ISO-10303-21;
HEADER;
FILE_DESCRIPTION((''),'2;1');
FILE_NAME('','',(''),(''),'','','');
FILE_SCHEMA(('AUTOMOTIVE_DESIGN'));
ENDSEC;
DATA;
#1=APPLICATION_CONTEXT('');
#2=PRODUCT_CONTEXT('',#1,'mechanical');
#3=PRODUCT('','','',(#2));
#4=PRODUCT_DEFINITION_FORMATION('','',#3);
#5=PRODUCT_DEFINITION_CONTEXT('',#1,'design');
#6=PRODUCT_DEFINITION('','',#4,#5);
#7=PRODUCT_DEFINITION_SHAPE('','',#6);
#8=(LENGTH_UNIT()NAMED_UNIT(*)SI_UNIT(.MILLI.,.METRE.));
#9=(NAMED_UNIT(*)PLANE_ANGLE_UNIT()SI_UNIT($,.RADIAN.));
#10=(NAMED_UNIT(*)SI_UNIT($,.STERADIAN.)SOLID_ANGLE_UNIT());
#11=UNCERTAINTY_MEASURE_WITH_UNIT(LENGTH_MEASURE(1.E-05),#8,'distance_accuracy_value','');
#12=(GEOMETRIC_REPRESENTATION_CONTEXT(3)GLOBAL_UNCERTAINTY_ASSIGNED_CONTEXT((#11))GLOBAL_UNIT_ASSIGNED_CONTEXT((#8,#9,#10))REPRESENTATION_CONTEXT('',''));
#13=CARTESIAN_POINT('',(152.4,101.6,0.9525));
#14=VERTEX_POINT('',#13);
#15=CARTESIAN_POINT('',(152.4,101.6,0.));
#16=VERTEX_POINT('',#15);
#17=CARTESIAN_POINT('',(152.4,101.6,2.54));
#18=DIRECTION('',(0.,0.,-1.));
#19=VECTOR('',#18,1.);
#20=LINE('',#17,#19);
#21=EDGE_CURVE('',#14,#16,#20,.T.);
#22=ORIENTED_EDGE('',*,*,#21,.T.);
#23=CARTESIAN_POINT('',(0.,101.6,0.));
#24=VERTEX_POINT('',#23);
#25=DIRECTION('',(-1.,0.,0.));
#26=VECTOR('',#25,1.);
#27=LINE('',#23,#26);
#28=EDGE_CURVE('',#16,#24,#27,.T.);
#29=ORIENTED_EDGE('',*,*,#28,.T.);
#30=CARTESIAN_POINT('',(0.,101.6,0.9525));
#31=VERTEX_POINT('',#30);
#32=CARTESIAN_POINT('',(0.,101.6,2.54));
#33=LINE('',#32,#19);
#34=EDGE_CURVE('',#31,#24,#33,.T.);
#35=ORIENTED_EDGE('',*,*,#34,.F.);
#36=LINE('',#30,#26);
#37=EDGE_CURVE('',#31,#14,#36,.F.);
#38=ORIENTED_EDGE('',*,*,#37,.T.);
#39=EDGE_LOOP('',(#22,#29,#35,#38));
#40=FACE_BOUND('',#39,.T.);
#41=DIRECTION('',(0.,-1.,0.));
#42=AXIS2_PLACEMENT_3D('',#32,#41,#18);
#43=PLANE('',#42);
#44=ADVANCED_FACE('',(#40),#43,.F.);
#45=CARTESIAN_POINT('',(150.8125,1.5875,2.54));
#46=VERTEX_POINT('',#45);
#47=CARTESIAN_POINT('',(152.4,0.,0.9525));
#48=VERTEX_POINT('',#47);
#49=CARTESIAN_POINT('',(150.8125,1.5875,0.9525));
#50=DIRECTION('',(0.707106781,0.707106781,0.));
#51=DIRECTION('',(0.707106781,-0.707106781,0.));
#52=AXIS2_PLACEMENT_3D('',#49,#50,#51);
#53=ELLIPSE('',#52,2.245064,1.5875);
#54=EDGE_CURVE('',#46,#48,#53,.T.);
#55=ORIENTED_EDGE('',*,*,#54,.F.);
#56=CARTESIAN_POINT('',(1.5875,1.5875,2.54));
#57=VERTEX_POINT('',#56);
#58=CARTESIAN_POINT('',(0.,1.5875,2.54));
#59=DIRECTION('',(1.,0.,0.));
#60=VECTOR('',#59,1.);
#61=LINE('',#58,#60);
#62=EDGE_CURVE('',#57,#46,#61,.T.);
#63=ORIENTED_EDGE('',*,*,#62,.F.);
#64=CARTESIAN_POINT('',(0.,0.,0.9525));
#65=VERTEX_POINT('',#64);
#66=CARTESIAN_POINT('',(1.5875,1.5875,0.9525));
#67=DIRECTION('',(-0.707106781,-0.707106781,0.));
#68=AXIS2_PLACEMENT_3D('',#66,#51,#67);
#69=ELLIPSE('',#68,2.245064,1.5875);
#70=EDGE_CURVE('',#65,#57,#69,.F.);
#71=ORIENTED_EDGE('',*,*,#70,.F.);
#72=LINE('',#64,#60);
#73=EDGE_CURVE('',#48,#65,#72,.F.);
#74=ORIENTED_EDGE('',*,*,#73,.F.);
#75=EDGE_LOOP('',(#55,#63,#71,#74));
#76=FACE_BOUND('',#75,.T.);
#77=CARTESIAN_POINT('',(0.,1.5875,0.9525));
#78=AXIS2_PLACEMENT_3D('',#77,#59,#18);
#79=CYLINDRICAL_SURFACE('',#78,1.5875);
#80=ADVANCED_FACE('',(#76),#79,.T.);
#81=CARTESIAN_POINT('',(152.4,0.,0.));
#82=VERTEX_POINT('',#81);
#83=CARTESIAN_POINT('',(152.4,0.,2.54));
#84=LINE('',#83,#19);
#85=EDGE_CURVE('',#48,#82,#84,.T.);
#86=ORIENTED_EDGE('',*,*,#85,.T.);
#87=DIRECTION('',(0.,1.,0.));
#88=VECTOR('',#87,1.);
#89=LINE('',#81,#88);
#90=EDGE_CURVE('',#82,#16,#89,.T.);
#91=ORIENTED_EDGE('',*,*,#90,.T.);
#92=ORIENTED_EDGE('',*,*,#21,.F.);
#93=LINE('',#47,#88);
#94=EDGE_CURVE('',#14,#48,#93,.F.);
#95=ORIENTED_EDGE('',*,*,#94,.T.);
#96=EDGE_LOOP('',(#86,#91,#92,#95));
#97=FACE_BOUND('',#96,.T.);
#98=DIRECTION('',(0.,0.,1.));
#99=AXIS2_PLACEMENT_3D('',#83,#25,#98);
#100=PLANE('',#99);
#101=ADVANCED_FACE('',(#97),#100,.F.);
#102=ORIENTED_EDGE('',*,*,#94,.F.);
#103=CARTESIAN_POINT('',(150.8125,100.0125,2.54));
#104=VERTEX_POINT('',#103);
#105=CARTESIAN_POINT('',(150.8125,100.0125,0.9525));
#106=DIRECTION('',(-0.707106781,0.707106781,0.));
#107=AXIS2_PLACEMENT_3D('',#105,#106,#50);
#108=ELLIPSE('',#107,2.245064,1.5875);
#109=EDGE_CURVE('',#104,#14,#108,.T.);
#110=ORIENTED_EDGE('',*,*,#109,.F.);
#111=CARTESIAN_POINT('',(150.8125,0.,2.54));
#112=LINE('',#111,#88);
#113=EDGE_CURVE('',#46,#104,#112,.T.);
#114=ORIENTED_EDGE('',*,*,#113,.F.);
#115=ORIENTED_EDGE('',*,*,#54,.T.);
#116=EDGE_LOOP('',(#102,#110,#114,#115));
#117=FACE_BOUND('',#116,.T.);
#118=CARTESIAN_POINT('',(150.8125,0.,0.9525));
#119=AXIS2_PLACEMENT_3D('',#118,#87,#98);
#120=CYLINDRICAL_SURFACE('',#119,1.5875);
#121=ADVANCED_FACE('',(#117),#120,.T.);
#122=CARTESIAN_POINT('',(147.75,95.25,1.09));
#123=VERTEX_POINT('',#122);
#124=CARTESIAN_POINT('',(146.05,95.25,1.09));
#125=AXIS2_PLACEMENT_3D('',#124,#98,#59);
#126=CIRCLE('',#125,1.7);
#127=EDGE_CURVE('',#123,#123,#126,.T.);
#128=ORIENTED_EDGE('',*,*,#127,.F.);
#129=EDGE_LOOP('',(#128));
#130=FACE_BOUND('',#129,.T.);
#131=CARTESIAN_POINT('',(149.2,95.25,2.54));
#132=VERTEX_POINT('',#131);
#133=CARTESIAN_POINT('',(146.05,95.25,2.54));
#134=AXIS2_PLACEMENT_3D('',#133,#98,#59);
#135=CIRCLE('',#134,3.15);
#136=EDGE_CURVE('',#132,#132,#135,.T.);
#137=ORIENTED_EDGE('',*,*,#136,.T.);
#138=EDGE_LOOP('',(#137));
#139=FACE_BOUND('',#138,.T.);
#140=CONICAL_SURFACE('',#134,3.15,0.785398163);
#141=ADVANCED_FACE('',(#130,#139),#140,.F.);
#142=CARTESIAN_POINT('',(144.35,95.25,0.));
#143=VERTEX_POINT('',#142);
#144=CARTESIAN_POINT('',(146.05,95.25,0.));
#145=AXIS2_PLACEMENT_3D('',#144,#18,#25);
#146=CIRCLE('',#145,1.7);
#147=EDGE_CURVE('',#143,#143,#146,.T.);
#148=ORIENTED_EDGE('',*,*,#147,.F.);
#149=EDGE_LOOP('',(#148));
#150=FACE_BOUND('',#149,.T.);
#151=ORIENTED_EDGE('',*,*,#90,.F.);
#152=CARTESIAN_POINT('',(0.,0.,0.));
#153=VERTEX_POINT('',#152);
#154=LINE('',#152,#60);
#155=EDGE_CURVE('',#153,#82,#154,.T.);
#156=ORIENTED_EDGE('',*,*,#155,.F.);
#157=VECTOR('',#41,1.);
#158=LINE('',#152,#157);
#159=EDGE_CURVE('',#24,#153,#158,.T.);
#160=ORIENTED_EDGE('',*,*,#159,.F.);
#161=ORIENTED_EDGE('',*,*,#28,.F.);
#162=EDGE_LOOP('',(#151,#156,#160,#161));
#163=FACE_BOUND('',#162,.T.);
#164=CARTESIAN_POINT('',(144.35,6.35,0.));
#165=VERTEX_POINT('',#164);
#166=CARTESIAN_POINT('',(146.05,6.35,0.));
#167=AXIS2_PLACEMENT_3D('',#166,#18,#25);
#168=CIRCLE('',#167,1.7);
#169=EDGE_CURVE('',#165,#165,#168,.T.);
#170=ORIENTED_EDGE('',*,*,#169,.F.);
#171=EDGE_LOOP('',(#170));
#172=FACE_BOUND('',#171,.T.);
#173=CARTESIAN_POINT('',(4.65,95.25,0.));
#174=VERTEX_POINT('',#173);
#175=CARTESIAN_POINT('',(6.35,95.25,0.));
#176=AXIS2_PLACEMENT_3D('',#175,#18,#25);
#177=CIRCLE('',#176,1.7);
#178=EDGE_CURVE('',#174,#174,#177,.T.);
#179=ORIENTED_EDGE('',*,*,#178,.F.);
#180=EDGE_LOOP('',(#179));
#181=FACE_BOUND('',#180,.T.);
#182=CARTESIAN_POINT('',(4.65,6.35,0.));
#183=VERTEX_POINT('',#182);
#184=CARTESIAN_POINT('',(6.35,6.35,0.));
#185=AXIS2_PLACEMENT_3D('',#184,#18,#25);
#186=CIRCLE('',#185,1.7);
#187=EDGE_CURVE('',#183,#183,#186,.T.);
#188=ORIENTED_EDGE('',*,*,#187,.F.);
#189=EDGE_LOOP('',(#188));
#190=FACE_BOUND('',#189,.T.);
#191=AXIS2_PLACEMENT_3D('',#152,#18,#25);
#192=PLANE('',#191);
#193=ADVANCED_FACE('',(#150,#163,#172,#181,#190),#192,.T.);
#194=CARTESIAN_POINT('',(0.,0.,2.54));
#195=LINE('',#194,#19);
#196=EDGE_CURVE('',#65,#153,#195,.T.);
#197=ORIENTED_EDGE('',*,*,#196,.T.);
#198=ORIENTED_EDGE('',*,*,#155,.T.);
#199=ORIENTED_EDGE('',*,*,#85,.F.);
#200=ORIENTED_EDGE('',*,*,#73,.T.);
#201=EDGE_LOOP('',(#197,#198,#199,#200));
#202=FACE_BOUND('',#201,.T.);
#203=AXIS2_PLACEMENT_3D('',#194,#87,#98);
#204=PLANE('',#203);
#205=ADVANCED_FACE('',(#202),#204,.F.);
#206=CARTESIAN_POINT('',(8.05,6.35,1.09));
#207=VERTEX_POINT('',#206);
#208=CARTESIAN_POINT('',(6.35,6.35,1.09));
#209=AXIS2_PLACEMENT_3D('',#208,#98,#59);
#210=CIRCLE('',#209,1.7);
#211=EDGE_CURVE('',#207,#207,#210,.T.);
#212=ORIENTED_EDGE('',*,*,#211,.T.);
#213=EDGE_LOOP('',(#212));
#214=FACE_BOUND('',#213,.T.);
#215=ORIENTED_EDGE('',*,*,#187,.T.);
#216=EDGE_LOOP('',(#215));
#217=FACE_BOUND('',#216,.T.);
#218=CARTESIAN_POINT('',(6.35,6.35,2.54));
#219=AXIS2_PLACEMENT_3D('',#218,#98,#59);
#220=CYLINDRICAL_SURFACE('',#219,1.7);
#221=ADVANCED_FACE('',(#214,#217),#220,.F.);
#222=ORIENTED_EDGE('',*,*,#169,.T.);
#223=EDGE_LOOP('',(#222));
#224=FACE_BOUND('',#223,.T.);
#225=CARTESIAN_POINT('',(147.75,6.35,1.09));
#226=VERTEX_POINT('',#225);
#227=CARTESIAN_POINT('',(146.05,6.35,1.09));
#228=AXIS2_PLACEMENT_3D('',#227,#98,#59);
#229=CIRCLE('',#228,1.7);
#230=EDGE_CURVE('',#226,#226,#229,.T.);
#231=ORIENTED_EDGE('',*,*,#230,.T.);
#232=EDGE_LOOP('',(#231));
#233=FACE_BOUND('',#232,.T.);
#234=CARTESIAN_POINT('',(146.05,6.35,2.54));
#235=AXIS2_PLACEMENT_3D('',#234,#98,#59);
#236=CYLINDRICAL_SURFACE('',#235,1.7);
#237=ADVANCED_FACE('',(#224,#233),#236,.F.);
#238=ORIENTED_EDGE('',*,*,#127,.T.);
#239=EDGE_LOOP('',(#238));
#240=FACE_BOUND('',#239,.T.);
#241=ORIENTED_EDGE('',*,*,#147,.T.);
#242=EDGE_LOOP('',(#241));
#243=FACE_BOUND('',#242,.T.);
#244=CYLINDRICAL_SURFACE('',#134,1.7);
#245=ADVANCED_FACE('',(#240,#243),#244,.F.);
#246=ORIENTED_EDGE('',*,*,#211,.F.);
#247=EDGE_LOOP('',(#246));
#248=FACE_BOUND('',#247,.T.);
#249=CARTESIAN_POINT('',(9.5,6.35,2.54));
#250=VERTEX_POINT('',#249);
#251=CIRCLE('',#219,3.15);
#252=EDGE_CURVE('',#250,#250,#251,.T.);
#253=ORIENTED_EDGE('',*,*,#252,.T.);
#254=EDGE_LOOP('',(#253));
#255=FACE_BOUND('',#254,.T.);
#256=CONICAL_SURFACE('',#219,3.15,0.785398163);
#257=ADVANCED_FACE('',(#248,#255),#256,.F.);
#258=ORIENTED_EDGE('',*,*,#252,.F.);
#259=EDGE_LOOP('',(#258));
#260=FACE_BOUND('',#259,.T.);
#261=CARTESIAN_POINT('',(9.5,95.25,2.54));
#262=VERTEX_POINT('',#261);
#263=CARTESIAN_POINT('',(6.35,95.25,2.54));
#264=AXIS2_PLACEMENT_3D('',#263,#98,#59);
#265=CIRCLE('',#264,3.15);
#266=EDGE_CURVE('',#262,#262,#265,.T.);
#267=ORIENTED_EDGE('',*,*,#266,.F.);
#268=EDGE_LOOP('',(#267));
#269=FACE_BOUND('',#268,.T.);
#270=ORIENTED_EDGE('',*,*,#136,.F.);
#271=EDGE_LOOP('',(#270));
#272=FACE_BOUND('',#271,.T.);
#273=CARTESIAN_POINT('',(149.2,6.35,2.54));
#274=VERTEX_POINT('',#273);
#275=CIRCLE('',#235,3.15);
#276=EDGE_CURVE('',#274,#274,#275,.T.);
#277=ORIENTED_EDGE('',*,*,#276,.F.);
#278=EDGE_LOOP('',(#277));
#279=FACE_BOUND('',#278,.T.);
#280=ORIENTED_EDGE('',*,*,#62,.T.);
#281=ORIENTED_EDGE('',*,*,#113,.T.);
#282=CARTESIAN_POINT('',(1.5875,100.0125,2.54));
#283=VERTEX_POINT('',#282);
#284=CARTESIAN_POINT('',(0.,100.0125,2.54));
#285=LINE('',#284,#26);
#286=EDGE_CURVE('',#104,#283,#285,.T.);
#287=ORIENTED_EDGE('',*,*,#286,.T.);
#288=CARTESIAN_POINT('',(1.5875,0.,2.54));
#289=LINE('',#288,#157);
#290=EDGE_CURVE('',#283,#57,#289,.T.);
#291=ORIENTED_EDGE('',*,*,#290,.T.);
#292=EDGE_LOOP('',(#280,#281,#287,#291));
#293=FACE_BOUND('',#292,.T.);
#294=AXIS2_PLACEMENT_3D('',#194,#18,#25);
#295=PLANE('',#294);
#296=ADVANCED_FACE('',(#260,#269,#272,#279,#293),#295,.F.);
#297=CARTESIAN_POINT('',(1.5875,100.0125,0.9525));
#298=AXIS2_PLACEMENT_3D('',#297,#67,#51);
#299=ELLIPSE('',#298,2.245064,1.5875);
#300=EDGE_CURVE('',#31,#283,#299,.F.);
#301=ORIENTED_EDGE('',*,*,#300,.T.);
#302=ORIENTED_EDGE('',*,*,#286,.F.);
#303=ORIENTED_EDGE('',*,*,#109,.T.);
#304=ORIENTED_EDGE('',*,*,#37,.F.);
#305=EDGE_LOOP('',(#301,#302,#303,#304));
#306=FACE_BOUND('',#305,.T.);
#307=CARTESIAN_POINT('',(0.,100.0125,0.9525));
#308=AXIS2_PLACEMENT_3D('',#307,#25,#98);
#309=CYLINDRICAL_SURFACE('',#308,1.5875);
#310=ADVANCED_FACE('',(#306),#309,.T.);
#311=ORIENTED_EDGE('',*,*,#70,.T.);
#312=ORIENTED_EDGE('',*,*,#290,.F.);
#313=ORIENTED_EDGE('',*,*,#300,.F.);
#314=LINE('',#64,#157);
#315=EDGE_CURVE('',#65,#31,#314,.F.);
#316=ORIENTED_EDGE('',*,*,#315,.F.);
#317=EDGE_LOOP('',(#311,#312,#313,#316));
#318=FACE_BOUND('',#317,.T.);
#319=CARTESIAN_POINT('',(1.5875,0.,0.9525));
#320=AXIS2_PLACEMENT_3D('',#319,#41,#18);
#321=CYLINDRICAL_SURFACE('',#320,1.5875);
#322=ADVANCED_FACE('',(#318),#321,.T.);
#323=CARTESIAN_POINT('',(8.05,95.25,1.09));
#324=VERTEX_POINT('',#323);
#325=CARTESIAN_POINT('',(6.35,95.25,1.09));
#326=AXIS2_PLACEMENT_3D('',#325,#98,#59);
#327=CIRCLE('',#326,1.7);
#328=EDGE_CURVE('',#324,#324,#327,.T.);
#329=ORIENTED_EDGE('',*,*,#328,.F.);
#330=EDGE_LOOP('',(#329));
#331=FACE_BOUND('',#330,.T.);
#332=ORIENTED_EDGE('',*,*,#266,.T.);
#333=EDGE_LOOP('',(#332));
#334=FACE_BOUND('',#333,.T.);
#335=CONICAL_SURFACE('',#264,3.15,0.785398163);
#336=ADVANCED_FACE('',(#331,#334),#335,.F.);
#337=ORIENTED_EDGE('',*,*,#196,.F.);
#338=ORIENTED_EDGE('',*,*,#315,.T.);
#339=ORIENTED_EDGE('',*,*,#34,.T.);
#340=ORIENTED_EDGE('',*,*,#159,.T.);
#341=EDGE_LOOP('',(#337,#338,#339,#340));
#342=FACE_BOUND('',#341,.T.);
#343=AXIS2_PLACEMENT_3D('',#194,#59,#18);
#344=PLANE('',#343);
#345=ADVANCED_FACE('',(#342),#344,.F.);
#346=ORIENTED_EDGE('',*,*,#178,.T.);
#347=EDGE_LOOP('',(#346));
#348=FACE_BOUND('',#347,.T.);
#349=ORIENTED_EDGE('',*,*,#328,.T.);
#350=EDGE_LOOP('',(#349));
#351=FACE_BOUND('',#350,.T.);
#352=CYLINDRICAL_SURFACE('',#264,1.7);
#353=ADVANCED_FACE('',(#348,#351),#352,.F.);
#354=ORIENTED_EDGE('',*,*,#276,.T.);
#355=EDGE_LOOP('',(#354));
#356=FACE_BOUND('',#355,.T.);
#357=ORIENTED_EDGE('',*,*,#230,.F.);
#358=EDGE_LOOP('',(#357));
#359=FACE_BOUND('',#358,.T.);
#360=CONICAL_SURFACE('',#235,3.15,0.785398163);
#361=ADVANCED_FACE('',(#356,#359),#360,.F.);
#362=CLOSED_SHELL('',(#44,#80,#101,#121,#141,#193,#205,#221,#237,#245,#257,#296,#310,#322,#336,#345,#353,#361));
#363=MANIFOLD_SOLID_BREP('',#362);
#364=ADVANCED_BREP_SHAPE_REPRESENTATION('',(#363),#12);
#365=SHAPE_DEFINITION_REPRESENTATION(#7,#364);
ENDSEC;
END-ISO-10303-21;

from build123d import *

# Parameters (mm, degrees)
SKETCH1_W                                       = 152.4
SKETCH1_H                                       = 101.6
BOSS_EXTRUDE1_DEPTH                             = 2.54
FILLET1_R                                       = 1.5875
CSK_FOR_M3_FLAT_HEAD_MACHINE_SCREW1_D           = 3.4
CSK_FOR_M3_FLAT_HEAD_MACHINE_SCREW1_DEPTH       = 6.35
CSK_FOR_M3_FLAT_HEAD_MACHINE_SCREW1_CSINK_D     = 6.3
CSK_FOR_M3_FLAT_HEAD_MACHINE_SCREW1_CSINK_ANGLE = 90
CSK_FOR_M3_FLAT_HEAD_MACHINE_SCREW1_TIP         = 1.021463052


with BuildPart() as part:
    # Sketch1 → Boss-Extrude1 (new body)
    with BuildSketch(Plane.XY):
        with Locations((76.2, 50.8)):
            Rectangle(SKETCH1_W, SKETCH1_H)
    extrude(amount=BOSS_EXTRUDE1_DEPTH)

    # Fillet1
    fillet1_edges = [part.edges().sort_by_distance(p)[0] for p in [
        (152.4, 50.8, 2.54),
        (76.2, 101.6, 2.54),
        (0, 50.8, 2.54),
        (76.2, 0, 2.54),
    ]]
    fillet(fillet1_edges, radius=FILLET1_R)

    # CSK for M3 Flat Head Machine Screw1
    with Locations(Plane.XY.offset(2.54)):
        with Locations((6.35, 95.25), (6.35, 6.35), (146.05, 6.35), (146.05, 95.25)):
            CounterSinkHole(CSK_FOR_M3_FLAT_HEAD_MACHINE_SCREW1_D / 2, CSK_FOR_M3_FLAT_HEAD_MACHINE_SCREW1_CSINK_D / 2, depth=CSK_FOR_M3_FLAT_HEAD_MACHINE_SCREW1_DEPTH, counter_sink_angle=CSK_FOR_M3_FLAT_HEAD_MACHINE_SCREW1_CSINK_ANGLE)
            with Locations((0, 0, -(CSK_FOR_M3_FLAT_HEAD_MACHINE_SCREW1_DEPTH + CSK_FOR_M3_FLAT_HEAD_MACHINE_SCREW1_TIP / 2))):  # 118° drill point
                Cone(0, CSK_FOR_M3_FLAT_HEAD_MACHINE_SCREW1_D / 2, CSK_FOR_M3_FLAT_HEAD_MACHINE_SCREW1_TIP, mode=Mode.SUBTRACT)


solid = part.part
